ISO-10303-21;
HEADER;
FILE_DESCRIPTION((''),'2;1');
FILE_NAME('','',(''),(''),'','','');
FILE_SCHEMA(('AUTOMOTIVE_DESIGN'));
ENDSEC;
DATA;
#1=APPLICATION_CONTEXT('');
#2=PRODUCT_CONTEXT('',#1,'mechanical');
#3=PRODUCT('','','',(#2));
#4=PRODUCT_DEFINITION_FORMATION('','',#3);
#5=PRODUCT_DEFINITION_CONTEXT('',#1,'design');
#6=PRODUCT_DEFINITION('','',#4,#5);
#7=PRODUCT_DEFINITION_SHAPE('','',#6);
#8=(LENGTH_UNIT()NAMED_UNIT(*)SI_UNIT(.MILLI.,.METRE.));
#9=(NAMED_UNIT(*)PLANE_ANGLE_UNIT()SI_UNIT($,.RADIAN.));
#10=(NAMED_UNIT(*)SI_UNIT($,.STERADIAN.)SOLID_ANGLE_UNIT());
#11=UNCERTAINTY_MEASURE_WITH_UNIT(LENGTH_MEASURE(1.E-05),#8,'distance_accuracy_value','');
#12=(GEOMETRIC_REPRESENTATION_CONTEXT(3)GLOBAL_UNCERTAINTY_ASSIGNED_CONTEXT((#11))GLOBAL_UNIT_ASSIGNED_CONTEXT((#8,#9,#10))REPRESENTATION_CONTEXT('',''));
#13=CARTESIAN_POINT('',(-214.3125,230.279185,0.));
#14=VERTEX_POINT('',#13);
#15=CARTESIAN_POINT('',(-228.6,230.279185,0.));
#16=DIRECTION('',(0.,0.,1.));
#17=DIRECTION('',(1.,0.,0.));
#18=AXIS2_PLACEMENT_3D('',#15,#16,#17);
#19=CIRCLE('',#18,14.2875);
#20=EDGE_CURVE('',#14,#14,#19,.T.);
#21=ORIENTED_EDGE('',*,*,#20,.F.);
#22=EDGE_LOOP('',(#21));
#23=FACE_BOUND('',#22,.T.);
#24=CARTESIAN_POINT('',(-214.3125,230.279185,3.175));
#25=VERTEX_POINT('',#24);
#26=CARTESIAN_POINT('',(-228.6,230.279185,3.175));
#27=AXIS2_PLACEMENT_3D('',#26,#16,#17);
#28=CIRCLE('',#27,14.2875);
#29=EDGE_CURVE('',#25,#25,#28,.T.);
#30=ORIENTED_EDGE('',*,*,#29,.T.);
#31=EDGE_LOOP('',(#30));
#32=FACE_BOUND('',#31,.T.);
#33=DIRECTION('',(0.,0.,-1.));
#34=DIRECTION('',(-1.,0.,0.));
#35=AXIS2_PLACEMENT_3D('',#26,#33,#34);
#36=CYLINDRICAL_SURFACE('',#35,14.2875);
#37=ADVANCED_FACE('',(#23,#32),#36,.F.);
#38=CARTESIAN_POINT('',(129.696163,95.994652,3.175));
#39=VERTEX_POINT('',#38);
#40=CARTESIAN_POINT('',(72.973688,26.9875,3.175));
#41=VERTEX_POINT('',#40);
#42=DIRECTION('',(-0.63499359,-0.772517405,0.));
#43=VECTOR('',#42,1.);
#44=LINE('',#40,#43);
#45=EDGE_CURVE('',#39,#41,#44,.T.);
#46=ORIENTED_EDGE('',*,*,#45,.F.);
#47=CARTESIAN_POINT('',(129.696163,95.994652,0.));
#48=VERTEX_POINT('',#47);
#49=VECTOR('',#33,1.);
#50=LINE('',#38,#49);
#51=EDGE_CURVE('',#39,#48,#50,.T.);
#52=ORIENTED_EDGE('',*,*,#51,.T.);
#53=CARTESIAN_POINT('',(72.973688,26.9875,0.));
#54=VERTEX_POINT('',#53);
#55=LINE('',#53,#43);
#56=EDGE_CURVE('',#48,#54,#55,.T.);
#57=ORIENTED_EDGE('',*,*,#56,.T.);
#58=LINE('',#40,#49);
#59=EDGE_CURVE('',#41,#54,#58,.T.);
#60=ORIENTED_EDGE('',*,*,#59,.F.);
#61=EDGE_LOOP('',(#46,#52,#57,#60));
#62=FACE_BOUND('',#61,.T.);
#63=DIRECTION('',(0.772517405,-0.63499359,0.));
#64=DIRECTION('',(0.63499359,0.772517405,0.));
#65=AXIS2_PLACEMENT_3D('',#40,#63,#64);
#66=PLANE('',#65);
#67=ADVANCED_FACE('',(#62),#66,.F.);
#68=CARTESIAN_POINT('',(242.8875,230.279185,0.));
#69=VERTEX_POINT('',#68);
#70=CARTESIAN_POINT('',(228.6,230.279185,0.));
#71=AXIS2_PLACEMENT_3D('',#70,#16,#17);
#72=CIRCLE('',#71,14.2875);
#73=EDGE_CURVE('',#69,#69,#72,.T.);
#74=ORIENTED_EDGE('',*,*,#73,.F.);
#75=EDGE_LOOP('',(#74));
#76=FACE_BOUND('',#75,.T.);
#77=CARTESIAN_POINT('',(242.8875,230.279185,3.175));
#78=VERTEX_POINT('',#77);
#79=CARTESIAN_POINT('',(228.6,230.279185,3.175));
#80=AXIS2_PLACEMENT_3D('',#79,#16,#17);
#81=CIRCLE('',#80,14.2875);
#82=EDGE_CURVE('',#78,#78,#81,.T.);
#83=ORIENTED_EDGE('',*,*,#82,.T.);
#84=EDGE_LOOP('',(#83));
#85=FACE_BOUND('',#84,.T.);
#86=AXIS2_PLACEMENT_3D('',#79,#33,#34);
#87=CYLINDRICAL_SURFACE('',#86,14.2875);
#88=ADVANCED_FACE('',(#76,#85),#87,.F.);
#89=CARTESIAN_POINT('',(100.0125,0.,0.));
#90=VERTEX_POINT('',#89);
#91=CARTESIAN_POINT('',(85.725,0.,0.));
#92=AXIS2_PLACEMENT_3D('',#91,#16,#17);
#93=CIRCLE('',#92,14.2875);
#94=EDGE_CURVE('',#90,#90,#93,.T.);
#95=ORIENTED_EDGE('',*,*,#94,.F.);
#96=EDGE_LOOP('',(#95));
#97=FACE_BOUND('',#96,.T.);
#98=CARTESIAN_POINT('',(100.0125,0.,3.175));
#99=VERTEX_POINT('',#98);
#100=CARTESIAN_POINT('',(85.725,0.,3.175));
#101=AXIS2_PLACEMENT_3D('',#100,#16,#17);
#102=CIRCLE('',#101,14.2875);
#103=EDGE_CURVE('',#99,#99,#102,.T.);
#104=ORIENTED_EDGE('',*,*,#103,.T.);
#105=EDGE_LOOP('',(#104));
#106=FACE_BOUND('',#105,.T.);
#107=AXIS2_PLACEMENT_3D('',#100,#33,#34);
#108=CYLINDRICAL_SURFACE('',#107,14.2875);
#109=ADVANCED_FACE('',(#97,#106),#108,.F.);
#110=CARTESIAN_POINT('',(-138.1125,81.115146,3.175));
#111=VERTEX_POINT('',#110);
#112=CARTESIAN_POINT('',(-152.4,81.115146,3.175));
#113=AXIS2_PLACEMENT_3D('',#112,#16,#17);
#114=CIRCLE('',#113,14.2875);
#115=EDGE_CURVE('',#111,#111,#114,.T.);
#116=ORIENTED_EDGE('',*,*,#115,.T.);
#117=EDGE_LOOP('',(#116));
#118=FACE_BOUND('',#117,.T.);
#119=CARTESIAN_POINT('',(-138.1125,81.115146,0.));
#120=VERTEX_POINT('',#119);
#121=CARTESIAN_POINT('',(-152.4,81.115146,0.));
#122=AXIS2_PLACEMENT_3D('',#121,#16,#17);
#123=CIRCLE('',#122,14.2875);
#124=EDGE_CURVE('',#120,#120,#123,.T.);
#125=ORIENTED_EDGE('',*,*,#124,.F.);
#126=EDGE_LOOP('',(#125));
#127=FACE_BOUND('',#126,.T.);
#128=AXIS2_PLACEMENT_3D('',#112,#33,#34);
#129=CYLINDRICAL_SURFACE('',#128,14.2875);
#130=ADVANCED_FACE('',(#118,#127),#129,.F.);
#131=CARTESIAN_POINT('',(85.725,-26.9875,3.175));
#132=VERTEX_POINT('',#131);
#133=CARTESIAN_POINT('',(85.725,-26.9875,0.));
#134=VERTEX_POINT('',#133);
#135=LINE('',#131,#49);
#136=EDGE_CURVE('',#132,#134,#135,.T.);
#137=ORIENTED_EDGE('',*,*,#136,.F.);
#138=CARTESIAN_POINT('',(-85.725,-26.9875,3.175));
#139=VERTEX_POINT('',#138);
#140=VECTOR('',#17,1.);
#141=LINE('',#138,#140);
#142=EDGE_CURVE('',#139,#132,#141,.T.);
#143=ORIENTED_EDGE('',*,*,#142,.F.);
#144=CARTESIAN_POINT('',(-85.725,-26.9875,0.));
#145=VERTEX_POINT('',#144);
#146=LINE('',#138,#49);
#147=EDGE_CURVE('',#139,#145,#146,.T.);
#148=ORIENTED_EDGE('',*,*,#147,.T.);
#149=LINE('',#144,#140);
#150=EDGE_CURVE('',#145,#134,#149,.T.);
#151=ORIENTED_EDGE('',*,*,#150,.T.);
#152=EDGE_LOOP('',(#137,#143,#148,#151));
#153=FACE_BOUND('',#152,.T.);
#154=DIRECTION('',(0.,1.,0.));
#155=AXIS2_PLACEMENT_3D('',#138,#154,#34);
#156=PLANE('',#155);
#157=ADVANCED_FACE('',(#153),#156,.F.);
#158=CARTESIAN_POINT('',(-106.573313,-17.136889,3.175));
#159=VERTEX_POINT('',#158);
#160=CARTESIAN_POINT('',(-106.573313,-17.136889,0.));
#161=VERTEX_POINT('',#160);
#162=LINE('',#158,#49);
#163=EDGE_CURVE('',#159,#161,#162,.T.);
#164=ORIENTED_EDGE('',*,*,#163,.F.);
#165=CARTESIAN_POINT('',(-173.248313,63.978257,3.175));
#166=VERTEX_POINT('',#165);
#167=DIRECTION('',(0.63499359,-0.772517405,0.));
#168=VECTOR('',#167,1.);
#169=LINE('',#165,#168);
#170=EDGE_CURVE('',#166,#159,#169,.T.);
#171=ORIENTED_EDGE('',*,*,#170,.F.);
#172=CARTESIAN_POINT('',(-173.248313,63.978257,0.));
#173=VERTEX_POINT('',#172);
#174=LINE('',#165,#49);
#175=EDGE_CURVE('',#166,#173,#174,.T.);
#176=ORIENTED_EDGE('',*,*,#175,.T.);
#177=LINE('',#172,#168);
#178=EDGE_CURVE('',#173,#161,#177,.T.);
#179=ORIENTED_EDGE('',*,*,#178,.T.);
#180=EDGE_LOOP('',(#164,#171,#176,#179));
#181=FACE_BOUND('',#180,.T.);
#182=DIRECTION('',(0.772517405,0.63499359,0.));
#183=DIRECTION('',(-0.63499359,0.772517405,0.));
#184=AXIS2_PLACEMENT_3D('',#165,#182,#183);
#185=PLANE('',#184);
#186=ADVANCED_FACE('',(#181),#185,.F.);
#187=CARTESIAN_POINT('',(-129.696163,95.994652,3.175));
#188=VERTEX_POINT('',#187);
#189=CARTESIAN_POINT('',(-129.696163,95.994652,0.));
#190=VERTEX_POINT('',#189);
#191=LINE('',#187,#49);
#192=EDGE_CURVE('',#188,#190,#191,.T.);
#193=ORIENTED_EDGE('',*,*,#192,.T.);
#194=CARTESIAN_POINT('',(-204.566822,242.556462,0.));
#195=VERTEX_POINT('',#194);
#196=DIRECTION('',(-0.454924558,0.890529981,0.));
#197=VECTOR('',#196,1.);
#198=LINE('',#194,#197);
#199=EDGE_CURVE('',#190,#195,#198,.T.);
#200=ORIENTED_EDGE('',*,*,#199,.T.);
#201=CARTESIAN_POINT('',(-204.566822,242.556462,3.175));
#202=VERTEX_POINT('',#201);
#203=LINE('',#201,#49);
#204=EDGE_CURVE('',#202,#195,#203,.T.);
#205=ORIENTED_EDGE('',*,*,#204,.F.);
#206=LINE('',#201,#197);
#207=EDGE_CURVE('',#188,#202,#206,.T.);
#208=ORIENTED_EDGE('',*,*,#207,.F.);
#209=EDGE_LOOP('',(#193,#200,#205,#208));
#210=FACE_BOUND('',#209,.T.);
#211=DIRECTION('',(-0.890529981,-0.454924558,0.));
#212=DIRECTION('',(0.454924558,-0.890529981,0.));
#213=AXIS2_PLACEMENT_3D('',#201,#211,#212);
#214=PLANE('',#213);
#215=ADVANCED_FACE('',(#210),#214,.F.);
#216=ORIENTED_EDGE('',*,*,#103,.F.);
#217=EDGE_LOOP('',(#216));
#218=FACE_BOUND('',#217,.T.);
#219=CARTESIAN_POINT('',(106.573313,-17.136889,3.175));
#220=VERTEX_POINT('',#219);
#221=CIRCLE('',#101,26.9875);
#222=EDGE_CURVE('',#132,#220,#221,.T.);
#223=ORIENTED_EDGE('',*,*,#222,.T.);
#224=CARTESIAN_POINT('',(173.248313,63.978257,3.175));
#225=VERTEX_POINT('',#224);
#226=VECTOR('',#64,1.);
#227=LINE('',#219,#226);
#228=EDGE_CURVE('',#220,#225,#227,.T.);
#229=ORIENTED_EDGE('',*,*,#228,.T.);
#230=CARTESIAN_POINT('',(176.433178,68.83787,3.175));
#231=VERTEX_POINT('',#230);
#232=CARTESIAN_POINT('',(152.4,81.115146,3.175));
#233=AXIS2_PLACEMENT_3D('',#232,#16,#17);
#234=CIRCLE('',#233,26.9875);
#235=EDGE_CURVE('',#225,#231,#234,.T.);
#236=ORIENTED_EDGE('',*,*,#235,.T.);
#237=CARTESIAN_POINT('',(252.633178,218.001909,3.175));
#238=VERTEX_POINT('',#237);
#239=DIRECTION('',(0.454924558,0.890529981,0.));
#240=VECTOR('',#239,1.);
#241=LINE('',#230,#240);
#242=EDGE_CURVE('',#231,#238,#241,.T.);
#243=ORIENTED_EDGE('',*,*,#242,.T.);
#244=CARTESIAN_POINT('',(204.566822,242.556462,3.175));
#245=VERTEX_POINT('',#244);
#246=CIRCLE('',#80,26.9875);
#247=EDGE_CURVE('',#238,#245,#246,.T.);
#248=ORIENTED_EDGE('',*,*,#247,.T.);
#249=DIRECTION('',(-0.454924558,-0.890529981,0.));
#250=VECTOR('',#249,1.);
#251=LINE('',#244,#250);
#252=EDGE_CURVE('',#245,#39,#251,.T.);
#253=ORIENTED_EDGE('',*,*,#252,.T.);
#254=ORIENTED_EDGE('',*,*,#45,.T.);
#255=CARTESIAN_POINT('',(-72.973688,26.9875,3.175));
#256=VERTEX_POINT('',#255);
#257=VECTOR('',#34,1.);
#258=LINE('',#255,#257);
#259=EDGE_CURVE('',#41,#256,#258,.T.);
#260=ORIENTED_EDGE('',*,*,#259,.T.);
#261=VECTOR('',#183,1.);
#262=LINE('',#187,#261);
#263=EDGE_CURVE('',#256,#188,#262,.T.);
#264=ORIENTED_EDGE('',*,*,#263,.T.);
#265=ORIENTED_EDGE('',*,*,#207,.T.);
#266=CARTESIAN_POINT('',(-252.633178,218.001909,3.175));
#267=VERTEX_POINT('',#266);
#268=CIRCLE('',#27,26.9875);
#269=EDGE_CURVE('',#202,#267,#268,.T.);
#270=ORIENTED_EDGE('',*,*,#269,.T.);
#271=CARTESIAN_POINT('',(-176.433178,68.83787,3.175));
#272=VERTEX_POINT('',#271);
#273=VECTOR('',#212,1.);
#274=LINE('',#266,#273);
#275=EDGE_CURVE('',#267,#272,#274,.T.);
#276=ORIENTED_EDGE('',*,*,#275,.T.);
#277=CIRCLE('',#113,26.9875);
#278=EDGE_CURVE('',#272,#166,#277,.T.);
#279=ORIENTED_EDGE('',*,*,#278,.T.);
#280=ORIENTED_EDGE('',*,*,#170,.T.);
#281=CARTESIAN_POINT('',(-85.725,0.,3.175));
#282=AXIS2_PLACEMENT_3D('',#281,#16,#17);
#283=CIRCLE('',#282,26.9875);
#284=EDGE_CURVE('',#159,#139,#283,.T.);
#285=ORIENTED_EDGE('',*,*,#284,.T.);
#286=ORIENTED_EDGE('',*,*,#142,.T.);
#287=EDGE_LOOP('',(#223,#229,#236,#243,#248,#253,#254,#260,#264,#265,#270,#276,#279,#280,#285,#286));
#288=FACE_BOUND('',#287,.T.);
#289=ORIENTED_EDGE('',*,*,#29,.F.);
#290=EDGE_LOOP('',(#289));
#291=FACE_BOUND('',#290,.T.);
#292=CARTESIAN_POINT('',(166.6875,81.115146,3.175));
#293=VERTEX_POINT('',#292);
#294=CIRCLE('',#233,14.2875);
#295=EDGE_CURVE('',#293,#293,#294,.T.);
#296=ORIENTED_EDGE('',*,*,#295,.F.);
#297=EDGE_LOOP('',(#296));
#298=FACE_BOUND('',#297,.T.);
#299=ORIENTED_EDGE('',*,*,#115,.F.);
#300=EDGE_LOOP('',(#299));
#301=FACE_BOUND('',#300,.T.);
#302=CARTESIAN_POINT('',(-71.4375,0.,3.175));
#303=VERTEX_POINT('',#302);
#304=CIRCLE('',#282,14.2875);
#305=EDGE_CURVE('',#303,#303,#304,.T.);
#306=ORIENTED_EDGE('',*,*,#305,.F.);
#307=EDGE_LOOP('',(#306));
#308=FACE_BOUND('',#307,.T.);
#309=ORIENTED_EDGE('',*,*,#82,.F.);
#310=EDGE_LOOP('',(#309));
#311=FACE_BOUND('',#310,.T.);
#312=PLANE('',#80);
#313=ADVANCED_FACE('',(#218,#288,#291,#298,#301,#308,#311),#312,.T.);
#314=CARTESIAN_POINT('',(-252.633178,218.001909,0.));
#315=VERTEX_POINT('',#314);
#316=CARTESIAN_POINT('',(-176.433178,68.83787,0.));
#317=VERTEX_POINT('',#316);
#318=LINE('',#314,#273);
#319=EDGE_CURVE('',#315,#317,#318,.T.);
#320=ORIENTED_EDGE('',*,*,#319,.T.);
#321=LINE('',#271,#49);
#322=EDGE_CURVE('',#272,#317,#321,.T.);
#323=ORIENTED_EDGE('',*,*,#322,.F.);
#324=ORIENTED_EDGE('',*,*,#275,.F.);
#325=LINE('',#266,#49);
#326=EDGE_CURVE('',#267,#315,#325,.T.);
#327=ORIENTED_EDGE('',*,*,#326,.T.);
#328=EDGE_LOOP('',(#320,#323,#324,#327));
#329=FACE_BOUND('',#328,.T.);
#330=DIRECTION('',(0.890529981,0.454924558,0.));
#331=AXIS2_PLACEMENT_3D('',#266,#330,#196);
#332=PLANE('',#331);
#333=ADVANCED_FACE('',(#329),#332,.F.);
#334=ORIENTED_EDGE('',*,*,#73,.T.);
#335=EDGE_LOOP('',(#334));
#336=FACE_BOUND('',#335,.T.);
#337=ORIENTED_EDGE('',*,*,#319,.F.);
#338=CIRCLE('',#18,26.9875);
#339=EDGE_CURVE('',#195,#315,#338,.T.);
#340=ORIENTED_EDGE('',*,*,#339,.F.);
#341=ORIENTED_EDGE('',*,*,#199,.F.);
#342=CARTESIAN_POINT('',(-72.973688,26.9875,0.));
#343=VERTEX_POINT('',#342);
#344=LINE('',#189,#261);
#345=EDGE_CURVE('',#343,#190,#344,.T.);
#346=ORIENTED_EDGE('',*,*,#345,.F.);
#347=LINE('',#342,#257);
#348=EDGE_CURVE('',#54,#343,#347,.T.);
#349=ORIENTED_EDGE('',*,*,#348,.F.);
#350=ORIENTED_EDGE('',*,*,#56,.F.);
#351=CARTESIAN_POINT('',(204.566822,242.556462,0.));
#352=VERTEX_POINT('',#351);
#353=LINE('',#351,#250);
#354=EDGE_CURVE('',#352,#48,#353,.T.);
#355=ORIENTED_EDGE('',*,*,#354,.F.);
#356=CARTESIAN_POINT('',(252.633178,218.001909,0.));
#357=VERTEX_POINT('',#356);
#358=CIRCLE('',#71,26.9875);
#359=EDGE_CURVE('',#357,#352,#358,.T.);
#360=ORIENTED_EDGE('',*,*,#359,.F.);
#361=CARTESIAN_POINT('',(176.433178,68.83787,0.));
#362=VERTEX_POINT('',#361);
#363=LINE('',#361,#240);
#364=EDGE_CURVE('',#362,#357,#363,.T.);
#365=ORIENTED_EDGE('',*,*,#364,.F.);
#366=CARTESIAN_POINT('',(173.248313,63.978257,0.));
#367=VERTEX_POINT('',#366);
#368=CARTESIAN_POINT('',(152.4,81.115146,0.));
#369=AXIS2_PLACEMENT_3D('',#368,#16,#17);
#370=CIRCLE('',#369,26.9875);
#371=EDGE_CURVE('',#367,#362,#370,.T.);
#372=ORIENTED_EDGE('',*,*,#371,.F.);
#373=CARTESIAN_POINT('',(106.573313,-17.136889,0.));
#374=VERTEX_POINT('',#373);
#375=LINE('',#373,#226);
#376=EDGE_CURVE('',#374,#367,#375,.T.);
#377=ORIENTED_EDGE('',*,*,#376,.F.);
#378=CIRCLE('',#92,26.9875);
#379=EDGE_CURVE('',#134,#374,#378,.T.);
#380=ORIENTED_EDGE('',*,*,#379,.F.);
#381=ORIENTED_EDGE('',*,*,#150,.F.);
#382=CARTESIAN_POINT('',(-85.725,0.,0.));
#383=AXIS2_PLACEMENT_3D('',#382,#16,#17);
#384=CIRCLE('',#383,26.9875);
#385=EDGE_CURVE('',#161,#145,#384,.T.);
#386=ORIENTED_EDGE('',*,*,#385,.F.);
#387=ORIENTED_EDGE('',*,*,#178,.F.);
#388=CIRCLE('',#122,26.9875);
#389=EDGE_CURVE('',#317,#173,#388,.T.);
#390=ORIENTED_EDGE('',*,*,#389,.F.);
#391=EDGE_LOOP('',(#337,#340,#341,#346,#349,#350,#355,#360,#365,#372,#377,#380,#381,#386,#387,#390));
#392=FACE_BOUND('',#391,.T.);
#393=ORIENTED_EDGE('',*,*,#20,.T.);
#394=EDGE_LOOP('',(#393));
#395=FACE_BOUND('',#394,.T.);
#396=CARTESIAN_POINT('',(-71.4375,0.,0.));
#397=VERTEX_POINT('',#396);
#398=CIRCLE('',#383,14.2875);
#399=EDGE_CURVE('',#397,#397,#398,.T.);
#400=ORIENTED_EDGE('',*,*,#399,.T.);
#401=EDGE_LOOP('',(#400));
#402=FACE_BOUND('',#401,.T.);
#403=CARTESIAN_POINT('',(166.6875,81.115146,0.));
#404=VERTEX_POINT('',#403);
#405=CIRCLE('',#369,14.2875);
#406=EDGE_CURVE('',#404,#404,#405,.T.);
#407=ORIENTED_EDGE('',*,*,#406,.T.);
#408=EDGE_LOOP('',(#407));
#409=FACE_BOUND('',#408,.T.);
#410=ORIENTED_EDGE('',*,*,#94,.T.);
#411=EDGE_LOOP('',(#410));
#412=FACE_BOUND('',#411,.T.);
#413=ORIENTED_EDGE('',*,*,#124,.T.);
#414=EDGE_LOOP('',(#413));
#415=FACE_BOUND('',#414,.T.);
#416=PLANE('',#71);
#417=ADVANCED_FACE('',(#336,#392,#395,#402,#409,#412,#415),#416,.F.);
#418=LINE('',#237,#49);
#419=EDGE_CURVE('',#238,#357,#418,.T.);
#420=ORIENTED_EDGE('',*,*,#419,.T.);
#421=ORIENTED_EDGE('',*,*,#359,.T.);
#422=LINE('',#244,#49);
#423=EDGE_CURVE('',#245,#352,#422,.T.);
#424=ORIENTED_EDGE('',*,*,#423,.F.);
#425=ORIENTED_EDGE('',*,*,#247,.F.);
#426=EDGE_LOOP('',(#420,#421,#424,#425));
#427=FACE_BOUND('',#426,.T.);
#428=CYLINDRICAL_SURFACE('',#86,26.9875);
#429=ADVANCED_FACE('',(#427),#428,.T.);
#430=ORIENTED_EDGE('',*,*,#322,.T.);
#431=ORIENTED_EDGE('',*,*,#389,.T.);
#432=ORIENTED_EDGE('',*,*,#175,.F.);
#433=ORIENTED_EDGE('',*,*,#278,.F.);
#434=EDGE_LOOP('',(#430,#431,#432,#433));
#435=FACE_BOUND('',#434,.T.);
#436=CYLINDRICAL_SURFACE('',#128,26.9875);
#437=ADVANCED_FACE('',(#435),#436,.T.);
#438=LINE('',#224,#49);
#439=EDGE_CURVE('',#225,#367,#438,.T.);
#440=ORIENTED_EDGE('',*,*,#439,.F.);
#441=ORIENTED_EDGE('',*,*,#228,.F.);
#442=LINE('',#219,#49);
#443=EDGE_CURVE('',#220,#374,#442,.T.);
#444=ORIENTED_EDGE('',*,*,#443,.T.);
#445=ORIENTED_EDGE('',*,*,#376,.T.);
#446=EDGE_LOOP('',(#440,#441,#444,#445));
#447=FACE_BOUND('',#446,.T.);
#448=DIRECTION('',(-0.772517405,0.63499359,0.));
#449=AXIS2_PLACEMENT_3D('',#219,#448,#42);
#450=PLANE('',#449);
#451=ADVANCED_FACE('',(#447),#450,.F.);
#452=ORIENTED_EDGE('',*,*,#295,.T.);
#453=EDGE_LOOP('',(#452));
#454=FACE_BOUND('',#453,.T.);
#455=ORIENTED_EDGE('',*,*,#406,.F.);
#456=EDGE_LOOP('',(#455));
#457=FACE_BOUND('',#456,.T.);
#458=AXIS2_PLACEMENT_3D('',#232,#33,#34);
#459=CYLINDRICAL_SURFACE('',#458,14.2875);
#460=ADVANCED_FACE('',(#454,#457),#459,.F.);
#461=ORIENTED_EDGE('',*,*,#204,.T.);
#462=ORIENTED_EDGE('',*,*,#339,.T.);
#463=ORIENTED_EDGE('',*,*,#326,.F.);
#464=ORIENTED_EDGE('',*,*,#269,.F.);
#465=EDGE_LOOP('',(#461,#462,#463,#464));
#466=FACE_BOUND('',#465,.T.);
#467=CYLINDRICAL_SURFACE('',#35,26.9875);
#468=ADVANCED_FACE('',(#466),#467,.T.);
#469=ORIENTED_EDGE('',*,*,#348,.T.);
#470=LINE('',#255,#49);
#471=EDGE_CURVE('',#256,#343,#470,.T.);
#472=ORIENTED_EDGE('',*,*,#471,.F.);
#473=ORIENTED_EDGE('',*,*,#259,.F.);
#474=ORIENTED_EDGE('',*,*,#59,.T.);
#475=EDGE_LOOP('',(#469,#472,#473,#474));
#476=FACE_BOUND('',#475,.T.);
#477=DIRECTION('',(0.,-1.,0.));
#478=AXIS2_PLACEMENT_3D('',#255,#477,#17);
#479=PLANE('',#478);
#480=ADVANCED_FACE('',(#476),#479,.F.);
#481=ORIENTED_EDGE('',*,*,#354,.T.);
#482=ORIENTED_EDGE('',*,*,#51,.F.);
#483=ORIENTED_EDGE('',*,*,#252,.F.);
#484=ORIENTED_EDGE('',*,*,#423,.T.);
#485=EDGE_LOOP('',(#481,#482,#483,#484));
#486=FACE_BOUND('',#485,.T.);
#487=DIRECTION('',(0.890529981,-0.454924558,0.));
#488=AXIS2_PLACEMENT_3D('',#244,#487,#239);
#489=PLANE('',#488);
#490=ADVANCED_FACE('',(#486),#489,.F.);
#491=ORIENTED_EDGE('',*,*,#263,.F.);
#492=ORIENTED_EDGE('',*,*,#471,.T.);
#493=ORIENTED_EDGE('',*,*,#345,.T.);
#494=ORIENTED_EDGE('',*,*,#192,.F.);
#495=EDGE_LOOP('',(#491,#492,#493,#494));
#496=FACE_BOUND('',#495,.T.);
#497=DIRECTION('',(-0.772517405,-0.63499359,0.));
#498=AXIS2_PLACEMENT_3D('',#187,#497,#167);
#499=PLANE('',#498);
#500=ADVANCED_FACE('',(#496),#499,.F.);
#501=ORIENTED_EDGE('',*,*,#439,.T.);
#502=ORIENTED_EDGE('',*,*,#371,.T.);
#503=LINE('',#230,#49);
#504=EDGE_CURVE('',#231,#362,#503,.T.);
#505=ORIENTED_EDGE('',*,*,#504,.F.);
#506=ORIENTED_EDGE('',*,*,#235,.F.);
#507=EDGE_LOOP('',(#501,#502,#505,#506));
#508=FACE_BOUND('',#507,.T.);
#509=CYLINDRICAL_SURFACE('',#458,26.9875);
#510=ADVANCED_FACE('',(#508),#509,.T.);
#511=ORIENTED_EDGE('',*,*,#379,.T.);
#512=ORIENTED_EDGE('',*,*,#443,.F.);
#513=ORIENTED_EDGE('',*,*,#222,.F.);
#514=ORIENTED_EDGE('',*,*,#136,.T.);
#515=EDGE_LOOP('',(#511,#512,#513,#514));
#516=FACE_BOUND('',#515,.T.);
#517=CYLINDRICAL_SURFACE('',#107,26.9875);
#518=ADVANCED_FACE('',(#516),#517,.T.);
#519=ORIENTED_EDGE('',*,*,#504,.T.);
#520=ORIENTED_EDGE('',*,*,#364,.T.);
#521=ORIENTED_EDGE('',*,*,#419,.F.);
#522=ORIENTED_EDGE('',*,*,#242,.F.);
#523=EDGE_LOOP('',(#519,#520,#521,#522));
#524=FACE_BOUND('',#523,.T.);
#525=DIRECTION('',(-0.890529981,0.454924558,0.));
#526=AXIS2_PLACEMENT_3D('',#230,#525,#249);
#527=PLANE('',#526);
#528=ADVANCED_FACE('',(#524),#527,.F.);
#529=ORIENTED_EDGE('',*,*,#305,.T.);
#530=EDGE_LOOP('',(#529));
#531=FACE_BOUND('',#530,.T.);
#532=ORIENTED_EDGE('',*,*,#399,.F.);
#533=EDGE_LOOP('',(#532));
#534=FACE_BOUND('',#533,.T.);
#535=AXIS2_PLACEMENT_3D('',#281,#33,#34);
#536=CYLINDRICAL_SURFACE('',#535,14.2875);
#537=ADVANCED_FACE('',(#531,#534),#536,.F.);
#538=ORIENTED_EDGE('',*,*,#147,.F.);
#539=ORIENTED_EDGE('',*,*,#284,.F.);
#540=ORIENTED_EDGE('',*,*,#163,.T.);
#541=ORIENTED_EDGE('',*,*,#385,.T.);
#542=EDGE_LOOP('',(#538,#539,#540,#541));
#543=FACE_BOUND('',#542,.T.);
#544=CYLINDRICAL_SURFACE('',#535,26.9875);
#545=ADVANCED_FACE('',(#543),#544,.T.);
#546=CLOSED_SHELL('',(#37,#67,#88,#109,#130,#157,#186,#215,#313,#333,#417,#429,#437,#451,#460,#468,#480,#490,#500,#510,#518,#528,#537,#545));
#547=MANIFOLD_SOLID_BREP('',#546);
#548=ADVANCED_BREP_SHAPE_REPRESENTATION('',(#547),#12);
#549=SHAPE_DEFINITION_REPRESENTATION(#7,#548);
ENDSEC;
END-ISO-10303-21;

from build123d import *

# Parameters (mm, degrees)
SKETCH2_R           = 14.2875
BOSS_EXTRUDE1_DEPTH = 3.175


with BuildPart() as part:
    # Sketch2 → Boss-Extrude1 (new body)
    with BuildSketch(Plane.XY):
        with BuildLine():
            Line((-252.633177849, 218.001908783), (-176.433177849, 68.837869886))
            ThreePointArc((-176.433177849, 68.837869886), (-174.97190788, 66.322103076), (-173.24831347, 63.978256905))
            Line((-173.24831347, 63.978256905), (-106.57331347, -17.136889499))
            ThreePointArc((-106.57331347, -17.136889499), (-97.254166295, -24.400890984), (-85.725, -26.9875))
            Line((-85.725, -26.9875), (85.725, -26.9875))
            ThreePointArc((85.725, -26.9875), (97.254166295, -24.400890984), (106.57331347, -17.136889499))
            Line((106.57331347, -17.136889499), (173.24831347, 63.978256905))
            ThreePointArc((173.24831347, 63.978256905), (174.97190788, 66.322103076), (176.433177849, 68.837869886))
            Line((176.433177849, 68.837869886), (252.633177849, 218.001908783))
            ThreePointArc((252.633177849, 218.001908783), (240.877276518, 254.31236315), (204.566822151, 242.556461819))
            Line((204.566822151, 242.556461819), (129.696163279, 95.994652474))
            Line((129.696163279, 95.994652474), (72.973687944, 26.9875))
            Line((72.973687944, 26.9875), (-72.973687944, 26.9875))
            Line((-72.973687944, 26.9875), (-129.696163279, 95.994652474))
            Line((-129.696163279, 95.994652474), (-204.566822151, 242.556461819))
            ThreePointArc((-204.566822151, 242.556461819), (-240.877276518, 254.31236315), (-252.633177849, 218.001908783))
        make_face()
        with Locations((-228.6, 230.279185301)):
            Circle(SKETCH2_R, mode=Mode.SUBTRACT)
        with Locations((-152.4, 81.115146404)):
            Circle(SKETCH2_R, mode=Mode.SUBTRACT)
        with Locations((-85.725, 0)):
            Circle(SKETCH2_R, mode=Mode.SUBTRACT)
        with Locations((85.725, 0)):
            Circle(SKETCH2_R, mode=Mode.SUBTRACT)
        with Locations((152.4, 81.115146404)):
            Circle(SKETCH2_R, mode=Mode.SUBTRACT)
        with Locations((228.6, 230.279185301)):
            Circle(SKETCH2_R, mode=Mode.SUBTRACT)
    extrude(amount=BOSS_EXTRUDE1_DEPTH)


solid = part.part
